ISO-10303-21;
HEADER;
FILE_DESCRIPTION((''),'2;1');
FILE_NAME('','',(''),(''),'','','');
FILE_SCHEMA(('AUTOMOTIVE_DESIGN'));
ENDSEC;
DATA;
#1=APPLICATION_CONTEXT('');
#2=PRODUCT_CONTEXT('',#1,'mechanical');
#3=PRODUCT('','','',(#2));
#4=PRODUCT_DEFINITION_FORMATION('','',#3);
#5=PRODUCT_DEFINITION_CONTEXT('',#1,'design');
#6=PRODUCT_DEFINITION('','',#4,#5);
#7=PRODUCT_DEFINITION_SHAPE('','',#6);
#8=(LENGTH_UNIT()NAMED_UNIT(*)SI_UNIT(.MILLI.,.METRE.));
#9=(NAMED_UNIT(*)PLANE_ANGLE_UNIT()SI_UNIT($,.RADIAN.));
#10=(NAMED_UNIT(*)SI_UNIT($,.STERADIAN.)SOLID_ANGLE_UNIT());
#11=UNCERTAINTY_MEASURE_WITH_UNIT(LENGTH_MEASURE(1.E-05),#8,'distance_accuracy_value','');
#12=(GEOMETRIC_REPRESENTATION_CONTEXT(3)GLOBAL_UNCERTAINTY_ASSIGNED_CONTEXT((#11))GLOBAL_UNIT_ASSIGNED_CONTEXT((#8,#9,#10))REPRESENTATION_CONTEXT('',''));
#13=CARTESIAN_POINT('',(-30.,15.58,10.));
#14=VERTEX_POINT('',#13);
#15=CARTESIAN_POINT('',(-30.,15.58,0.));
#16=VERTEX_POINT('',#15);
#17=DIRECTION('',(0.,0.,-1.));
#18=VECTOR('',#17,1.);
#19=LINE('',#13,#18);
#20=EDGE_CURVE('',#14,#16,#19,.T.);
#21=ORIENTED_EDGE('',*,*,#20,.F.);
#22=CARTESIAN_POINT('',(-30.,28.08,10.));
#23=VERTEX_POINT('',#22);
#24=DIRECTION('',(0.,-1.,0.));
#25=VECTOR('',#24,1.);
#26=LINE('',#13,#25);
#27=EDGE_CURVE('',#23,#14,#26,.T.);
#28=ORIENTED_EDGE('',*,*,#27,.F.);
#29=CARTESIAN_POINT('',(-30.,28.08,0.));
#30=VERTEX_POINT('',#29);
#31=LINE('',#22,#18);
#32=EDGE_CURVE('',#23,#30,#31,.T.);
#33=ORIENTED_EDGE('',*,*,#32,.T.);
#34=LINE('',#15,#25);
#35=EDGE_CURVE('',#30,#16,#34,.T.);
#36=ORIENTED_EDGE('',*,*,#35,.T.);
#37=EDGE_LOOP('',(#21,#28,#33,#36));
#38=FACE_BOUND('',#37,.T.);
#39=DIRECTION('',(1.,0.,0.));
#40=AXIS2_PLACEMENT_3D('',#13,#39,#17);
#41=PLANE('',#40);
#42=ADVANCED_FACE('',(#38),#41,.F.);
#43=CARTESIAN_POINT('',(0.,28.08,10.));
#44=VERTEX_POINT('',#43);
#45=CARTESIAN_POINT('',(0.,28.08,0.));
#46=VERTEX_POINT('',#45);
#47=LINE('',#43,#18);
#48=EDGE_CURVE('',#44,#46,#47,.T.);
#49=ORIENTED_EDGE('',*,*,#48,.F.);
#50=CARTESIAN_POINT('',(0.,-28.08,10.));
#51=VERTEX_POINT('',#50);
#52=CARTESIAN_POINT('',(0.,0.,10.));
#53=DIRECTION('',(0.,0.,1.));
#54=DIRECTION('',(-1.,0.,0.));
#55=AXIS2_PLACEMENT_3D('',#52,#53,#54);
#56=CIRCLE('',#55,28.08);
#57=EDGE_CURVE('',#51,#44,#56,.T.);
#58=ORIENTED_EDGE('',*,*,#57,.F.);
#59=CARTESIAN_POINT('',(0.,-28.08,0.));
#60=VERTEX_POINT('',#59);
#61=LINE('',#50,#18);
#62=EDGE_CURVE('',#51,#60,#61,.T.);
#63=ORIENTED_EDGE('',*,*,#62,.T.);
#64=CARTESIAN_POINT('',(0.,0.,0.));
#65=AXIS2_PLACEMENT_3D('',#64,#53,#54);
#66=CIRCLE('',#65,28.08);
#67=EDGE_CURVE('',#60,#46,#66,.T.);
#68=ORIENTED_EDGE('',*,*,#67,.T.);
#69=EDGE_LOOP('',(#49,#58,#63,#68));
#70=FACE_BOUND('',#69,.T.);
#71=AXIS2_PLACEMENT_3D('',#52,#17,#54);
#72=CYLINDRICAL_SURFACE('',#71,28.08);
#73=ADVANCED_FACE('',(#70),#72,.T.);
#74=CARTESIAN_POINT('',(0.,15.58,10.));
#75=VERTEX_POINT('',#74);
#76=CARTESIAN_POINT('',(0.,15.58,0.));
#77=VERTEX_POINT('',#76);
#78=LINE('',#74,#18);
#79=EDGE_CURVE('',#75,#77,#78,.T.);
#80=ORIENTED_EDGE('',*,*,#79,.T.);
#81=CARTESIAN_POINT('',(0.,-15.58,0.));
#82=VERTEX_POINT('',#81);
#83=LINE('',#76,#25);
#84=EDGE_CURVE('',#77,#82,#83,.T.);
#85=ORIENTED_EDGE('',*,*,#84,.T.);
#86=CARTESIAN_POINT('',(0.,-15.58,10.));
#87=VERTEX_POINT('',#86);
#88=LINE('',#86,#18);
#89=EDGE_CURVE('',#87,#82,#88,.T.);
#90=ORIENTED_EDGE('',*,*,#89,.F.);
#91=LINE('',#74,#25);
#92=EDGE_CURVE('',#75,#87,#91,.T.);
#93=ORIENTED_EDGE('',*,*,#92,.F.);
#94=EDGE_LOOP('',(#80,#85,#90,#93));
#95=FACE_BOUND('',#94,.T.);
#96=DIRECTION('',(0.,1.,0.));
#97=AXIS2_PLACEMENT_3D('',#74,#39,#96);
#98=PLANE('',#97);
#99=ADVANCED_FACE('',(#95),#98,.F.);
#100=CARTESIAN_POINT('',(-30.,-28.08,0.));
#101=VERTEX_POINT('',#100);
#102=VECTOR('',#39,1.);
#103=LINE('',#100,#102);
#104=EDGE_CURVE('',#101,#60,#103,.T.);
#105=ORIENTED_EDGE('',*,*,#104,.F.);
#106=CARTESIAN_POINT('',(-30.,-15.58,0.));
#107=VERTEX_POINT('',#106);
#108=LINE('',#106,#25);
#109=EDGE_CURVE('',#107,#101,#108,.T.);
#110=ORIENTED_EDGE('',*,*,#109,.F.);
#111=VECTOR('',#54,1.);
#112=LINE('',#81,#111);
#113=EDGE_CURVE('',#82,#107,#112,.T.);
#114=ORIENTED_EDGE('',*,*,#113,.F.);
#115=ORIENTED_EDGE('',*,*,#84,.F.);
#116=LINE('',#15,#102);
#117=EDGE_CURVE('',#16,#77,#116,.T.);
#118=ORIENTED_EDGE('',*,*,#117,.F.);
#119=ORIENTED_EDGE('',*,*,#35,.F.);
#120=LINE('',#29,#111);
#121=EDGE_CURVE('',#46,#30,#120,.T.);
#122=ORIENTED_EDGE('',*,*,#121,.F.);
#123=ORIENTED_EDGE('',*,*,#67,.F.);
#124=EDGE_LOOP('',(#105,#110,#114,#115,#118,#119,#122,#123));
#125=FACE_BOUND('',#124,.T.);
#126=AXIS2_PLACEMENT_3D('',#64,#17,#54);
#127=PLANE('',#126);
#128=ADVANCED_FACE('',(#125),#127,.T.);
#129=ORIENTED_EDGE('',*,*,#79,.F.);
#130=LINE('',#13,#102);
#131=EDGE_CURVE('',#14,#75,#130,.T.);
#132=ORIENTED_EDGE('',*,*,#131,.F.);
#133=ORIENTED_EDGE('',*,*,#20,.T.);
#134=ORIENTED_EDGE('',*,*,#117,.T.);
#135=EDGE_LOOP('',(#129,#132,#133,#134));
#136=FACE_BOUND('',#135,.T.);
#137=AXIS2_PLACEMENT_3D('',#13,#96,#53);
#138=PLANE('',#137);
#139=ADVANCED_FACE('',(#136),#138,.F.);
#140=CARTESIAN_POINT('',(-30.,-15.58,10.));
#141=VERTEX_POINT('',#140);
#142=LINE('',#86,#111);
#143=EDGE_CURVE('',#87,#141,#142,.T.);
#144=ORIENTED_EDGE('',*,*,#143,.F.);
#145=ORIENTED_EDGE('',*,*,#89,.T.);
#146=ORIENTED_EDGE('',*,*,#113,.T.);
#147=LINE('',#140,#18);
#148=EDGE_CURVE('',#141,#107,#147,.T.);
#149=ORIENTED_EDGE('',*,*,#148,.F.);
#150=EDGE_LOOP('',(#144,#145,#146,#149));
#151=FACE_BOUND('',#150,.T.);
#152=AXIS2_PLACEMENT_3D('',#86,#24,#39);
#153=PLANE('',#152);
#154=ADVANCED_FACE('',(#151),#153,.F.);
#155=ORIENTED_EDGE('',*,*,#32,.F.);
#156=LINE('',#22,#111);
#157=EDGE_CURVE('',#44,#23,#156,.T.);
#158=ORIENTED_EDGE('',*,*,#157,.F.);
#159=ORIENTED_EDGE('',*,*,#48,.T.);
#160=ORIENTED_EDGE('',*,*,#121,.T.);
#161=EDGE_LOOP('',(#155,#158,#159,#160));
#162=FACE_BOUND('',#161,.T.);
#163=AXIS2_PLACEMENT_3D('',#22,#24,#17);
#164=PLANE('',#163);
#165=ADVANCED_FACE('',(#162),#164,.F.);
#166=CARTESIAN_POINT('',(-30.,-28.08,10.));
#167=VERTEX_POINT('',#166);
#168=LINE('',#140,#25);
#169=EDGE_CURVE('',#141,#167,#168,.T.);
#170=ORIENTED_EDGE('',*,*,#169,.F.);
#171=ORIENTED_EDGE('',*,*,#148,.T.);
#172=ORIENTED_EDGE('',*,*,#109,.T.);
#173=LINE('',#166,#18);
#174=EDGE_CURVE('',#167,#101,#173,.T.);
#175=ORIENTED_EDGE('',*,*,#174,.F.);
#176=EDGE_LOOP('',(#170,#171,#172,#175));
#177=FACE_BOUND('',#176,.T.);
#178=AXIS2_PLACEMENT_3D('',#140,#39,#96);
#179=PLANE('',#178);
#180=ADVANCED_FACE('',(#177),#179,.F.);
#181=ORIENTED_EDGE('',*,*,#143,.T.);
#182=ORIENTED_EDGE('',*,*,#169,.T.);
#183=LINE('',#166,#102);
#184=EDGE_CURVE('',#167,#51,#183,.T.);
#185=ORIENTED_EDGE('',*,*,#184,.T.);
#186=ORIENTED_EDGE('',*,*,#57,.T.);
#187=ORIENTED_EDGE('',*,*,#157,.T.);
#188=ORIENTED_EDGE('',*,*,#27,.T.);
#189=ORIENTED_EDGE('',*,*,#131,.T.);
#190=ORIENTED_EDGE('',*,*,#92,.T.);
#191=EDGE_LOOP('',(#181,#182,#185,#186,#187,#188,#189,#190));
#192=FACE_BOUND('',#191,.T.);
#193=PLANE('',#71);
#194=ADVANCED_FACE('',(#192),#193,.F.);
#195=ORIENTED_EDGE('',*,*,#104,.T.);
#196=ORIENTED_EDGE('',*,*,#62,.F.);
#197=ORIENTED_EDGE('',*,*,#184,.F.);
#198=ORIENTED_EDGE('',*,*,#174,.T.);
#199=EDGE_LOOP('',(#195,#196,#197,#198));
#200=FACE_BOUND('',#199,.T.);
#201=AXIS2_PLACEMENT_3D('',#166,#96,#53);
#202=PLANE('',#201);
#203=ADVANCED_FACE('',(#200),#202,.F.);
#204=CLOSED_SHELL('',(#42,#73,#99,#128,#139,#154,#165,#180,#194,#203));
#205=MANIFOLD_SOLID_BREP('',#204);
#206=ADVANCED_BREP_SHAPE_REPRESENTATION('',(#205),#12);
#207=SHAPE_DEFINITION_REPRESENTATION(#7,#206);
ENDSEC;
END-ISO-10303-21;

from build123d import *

# Parameters (mm, degrees)
BOSS_EXTRUDE1_DEPTH = 10


with BuildPart() as part:
    # Sketch1 → Boss-Extrude1 (new body)
    with BuildSketch(Plane.XY):
        with BuildLine():
            Line((-30, 15.58), (0, 15.58))
            Line((0, 15.58), (0, -15.58))
            Line((0, -15.58), (-30, -15.58))
            Line((-30, -15.58), (-30, -28.08))
            Line((-30, -28.08), (0, -28.08))
            ThreePointArc((0, -28.08), (28.08, 0), (0, 28.08))
            Line((0, 28.08), (-30, 28.08))
            Line((-30, 28.08), (-30, 15.58))
        make_face()
    extrude(amount=BOSS_EXTRUDE1_DEPTH)


solid = part.part
